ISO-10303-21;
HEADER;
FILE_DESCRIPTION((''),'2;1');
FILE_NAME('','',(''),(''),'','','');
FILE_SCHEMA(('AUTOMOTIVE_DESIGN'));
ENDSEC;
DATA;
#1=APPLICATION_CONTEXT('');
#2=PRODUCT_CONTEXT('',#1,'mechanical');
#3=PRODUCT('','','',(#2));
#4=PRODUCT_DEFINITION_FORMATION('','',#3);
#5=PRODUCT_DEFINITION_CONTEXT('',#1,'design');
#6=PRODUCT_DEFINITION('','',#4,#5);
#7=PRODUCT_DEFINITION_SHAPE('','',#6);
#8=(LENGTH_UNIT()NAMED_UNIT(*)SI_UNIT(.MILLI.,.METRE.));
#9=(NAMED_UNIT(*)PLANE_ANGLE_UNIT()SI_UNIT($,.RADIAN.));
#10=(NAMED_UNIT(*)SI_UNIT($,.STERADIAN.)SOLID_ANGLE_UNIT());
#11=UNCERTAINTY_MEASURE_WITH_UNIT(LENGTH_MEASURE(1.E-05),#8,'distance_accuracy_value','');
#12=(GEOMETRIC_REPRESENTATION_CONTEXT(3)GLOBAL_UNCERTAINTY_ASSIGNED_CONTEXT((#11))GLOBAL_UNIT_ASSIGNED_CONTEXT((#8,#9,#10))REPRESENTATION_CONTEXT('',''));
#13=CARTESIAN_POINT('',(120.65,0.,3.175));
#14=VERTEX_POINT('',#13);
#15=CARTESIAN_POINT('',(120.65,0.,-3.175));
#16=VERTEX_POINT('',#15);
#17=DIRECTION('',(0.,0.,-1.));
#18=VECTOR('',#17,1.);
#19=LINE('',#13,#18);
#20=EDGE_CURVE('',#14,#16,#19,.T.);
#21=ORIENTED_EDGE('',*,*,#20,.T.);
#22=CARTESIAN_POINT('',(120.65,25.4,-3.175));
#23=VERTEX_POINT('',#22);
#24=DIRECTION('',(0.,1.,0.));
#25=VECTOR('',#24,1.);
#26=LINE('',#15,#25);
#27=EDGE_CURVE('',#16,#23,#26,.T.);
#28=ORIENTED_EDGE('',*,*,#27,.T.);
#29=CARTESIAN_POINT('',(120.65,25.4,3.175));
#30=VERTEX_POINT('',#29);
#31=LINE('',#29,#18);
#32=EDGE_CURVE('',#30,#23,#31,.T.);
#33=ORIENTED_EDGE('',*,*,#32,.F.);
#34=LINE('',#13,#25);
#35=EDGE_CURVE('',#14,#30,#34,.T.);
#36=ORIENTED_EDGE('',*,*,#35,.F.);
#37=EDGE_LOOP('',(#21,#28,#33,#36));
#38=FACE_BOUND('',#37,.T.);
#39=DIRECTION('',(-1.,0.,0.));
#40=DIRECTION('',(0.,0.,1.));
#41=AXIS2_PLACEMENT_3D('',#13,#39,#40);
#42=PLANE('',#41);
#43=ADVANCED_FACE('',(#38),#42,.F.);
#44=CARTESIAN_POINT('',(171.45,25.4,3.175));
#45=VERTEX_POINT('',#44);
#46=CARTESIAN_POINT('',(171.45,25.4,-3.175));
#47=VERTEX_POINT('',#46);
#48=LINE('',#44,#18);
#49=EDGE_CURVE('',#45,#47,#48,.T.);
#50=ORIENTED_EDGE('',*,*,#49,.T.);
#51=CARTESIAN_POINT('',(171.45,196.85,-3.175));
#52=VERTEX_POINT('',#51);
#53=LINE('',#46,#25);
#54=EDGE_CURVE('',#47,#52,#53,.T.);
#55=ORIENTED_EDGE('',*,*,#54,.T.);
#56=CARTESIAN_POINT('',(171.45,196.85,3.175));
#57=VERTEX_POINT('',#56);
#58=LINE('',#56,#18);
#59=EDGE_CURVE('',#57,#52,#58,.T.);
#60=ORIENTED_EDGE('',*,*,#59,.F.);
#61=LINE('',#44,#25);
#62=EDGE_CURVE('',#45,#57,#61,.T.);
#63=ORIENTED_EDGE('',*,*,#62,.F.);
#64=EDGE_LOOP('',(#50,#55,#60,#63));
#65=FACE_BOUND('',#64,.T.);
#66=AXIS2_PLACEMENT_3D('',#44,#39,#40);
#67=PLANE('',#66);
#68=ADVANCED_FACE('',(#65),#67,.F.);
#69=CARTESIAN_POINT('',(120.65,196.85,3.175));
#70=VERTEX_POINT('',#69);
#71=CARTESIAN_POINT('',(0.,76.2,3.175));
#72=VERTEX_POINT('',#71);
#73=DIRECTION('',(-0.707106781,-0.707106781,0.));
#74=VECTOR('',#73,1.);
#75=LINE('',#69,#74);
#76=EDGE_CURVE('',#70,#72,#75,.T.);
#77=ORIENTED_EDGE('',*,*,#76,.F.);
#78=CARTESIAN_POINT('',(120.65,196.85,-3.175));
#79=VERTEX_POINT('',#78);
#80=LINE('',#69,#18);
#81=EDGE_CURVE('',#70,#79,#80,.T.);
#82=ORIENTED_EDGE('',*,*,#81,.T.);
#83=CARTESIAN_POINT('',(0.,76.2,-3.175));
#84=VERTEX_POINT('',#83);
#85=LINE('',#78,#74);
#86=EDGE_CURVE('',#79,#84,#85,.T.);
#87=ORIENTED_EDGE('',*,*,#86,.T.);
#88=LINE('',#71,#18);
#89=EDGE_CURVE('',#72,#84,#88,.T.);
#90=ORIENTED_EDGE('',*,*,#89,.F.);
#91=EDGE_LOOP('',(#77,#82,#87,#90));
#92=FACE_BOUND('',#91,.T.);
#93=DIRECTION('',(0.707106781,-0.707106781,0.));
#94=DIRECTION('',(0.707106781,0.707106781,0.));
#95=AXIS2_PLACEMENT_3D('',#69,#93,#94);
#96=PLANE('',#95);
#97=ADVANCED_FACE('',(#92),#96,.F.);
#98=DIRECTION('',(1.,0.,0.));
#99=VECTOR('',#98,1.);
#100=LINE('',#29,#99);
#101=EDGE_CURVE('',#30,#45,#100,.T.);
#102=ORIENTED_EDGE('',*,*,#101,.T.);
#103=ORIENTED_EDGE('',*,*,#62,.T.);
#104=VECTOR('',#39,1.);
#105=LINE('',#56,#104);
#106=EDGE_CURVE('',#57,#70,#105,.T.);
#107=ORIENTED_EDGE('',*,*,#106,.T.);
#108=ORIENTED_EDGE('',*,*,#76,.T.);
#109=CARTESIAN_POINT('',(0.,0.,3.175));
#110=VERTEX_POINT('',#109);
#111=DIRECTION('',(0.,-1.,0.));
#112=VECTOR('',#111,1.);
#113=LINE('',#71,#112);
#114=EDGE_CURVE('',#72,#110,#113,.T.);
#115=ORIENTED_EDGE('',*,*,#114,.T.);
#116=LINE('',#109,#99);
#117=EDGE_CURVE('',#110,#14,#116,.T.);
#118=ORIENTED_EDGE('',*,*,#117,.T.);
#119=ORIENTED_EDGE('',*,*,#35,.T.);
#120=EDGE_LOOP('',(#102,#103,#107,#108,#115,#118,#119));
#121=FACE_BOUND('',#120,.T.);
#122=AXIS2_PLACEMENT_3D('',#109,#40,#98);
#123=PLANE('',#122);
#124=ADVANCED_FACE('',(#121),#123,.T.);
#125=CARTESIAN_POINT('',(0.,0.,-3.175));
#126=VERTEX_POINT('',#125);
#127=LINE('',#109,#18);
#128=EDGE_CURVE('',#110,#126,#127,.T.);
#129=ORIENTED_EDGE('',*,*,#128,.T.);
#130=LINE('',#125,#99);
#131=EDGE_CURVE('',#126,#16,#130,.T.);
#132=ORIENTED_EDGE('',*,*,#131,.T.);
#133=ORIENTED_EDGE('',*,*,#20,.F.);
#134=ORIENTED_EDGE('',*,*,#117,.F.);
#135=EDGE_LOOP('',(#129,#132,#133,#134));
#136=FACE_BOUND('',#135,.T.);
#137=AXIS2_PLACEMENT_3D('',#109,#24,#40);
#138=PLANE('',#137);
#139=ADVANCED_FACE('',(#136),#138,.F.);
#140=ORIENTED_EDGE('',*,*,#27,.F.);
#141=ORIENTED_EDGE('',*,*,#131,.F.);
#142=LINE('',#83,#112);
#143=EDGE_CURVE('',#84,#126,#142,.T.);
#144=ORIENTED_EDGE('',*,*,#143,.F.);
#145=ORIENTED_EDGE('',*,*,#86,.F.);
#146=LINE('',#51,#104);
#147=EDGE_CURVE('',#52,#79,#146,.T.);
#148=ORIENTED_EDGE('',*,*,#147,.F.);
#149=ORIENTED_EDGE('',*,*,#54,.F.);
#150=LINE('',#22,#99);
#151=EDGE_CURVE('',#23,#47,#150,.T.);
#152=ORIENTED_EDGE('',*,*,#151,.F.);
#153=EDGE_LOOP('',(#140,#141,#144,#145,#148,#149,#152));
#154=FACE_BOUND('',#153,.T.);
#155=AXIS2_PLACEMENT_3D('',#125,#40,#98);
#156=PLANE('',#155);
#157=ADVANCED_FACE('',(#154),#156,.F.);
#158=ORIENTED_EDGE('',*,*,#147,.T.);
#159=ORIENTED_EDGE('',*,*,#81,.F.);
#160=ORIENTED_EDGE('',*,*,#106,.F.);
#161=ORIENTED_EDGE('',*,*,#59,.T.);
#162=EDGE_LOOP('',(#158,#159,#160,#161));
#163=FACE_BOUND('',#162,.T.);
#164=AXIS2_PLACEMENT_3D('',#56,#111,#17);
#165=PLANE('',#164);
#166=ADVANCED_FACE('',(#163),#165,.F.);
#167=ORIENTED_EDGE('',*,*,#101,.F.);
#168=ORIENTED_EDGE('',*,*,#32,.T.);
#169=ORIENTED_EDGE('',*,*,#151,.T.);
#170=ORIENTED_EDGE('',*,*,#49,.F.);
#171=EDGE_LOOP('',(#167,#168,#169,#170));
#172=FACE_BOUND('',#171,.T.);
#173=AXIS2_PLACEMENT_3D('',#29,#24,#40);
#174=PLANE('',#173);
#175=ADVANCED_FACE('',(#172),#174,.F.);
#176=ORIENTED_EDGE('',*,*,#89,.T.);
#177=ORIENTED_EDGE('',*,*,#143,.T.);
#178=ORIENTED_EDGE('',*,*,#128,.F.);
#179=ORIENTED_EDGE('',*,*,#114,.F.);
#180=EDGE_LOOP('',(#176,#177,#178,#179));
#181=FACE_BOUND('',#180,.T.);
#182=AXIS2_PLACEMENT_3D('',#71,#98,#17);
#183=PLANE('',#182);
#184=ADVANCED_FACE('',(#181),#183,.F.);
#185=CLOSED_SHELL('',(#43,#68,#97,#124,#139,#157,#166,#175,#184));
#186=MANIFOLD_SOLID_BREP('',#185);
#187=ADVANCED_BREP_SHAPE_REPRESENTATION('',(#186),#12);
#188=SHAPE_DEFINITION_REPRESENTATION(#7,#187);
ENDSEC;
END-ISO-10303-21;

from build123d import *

# Parameters (mm, degrees)
BOSS_EXTRUDE1_DEPTH = 3.175


with BuildPart() as part:
    # Sketch1 → Boss-Extrude1 (new body, symmetric)
    with BuildSketch(Plane.XY):
        Polygon((0, 0), (120.65, 0), (120.65, 25.4), (171.45, 25.4), (171.45, 196.85), (120.65, 196.85), (0, 76.2), align=None)
    extrude(amount=BOSS_EXTRUDE1_DEPTH, both=True)


solid = part.part
